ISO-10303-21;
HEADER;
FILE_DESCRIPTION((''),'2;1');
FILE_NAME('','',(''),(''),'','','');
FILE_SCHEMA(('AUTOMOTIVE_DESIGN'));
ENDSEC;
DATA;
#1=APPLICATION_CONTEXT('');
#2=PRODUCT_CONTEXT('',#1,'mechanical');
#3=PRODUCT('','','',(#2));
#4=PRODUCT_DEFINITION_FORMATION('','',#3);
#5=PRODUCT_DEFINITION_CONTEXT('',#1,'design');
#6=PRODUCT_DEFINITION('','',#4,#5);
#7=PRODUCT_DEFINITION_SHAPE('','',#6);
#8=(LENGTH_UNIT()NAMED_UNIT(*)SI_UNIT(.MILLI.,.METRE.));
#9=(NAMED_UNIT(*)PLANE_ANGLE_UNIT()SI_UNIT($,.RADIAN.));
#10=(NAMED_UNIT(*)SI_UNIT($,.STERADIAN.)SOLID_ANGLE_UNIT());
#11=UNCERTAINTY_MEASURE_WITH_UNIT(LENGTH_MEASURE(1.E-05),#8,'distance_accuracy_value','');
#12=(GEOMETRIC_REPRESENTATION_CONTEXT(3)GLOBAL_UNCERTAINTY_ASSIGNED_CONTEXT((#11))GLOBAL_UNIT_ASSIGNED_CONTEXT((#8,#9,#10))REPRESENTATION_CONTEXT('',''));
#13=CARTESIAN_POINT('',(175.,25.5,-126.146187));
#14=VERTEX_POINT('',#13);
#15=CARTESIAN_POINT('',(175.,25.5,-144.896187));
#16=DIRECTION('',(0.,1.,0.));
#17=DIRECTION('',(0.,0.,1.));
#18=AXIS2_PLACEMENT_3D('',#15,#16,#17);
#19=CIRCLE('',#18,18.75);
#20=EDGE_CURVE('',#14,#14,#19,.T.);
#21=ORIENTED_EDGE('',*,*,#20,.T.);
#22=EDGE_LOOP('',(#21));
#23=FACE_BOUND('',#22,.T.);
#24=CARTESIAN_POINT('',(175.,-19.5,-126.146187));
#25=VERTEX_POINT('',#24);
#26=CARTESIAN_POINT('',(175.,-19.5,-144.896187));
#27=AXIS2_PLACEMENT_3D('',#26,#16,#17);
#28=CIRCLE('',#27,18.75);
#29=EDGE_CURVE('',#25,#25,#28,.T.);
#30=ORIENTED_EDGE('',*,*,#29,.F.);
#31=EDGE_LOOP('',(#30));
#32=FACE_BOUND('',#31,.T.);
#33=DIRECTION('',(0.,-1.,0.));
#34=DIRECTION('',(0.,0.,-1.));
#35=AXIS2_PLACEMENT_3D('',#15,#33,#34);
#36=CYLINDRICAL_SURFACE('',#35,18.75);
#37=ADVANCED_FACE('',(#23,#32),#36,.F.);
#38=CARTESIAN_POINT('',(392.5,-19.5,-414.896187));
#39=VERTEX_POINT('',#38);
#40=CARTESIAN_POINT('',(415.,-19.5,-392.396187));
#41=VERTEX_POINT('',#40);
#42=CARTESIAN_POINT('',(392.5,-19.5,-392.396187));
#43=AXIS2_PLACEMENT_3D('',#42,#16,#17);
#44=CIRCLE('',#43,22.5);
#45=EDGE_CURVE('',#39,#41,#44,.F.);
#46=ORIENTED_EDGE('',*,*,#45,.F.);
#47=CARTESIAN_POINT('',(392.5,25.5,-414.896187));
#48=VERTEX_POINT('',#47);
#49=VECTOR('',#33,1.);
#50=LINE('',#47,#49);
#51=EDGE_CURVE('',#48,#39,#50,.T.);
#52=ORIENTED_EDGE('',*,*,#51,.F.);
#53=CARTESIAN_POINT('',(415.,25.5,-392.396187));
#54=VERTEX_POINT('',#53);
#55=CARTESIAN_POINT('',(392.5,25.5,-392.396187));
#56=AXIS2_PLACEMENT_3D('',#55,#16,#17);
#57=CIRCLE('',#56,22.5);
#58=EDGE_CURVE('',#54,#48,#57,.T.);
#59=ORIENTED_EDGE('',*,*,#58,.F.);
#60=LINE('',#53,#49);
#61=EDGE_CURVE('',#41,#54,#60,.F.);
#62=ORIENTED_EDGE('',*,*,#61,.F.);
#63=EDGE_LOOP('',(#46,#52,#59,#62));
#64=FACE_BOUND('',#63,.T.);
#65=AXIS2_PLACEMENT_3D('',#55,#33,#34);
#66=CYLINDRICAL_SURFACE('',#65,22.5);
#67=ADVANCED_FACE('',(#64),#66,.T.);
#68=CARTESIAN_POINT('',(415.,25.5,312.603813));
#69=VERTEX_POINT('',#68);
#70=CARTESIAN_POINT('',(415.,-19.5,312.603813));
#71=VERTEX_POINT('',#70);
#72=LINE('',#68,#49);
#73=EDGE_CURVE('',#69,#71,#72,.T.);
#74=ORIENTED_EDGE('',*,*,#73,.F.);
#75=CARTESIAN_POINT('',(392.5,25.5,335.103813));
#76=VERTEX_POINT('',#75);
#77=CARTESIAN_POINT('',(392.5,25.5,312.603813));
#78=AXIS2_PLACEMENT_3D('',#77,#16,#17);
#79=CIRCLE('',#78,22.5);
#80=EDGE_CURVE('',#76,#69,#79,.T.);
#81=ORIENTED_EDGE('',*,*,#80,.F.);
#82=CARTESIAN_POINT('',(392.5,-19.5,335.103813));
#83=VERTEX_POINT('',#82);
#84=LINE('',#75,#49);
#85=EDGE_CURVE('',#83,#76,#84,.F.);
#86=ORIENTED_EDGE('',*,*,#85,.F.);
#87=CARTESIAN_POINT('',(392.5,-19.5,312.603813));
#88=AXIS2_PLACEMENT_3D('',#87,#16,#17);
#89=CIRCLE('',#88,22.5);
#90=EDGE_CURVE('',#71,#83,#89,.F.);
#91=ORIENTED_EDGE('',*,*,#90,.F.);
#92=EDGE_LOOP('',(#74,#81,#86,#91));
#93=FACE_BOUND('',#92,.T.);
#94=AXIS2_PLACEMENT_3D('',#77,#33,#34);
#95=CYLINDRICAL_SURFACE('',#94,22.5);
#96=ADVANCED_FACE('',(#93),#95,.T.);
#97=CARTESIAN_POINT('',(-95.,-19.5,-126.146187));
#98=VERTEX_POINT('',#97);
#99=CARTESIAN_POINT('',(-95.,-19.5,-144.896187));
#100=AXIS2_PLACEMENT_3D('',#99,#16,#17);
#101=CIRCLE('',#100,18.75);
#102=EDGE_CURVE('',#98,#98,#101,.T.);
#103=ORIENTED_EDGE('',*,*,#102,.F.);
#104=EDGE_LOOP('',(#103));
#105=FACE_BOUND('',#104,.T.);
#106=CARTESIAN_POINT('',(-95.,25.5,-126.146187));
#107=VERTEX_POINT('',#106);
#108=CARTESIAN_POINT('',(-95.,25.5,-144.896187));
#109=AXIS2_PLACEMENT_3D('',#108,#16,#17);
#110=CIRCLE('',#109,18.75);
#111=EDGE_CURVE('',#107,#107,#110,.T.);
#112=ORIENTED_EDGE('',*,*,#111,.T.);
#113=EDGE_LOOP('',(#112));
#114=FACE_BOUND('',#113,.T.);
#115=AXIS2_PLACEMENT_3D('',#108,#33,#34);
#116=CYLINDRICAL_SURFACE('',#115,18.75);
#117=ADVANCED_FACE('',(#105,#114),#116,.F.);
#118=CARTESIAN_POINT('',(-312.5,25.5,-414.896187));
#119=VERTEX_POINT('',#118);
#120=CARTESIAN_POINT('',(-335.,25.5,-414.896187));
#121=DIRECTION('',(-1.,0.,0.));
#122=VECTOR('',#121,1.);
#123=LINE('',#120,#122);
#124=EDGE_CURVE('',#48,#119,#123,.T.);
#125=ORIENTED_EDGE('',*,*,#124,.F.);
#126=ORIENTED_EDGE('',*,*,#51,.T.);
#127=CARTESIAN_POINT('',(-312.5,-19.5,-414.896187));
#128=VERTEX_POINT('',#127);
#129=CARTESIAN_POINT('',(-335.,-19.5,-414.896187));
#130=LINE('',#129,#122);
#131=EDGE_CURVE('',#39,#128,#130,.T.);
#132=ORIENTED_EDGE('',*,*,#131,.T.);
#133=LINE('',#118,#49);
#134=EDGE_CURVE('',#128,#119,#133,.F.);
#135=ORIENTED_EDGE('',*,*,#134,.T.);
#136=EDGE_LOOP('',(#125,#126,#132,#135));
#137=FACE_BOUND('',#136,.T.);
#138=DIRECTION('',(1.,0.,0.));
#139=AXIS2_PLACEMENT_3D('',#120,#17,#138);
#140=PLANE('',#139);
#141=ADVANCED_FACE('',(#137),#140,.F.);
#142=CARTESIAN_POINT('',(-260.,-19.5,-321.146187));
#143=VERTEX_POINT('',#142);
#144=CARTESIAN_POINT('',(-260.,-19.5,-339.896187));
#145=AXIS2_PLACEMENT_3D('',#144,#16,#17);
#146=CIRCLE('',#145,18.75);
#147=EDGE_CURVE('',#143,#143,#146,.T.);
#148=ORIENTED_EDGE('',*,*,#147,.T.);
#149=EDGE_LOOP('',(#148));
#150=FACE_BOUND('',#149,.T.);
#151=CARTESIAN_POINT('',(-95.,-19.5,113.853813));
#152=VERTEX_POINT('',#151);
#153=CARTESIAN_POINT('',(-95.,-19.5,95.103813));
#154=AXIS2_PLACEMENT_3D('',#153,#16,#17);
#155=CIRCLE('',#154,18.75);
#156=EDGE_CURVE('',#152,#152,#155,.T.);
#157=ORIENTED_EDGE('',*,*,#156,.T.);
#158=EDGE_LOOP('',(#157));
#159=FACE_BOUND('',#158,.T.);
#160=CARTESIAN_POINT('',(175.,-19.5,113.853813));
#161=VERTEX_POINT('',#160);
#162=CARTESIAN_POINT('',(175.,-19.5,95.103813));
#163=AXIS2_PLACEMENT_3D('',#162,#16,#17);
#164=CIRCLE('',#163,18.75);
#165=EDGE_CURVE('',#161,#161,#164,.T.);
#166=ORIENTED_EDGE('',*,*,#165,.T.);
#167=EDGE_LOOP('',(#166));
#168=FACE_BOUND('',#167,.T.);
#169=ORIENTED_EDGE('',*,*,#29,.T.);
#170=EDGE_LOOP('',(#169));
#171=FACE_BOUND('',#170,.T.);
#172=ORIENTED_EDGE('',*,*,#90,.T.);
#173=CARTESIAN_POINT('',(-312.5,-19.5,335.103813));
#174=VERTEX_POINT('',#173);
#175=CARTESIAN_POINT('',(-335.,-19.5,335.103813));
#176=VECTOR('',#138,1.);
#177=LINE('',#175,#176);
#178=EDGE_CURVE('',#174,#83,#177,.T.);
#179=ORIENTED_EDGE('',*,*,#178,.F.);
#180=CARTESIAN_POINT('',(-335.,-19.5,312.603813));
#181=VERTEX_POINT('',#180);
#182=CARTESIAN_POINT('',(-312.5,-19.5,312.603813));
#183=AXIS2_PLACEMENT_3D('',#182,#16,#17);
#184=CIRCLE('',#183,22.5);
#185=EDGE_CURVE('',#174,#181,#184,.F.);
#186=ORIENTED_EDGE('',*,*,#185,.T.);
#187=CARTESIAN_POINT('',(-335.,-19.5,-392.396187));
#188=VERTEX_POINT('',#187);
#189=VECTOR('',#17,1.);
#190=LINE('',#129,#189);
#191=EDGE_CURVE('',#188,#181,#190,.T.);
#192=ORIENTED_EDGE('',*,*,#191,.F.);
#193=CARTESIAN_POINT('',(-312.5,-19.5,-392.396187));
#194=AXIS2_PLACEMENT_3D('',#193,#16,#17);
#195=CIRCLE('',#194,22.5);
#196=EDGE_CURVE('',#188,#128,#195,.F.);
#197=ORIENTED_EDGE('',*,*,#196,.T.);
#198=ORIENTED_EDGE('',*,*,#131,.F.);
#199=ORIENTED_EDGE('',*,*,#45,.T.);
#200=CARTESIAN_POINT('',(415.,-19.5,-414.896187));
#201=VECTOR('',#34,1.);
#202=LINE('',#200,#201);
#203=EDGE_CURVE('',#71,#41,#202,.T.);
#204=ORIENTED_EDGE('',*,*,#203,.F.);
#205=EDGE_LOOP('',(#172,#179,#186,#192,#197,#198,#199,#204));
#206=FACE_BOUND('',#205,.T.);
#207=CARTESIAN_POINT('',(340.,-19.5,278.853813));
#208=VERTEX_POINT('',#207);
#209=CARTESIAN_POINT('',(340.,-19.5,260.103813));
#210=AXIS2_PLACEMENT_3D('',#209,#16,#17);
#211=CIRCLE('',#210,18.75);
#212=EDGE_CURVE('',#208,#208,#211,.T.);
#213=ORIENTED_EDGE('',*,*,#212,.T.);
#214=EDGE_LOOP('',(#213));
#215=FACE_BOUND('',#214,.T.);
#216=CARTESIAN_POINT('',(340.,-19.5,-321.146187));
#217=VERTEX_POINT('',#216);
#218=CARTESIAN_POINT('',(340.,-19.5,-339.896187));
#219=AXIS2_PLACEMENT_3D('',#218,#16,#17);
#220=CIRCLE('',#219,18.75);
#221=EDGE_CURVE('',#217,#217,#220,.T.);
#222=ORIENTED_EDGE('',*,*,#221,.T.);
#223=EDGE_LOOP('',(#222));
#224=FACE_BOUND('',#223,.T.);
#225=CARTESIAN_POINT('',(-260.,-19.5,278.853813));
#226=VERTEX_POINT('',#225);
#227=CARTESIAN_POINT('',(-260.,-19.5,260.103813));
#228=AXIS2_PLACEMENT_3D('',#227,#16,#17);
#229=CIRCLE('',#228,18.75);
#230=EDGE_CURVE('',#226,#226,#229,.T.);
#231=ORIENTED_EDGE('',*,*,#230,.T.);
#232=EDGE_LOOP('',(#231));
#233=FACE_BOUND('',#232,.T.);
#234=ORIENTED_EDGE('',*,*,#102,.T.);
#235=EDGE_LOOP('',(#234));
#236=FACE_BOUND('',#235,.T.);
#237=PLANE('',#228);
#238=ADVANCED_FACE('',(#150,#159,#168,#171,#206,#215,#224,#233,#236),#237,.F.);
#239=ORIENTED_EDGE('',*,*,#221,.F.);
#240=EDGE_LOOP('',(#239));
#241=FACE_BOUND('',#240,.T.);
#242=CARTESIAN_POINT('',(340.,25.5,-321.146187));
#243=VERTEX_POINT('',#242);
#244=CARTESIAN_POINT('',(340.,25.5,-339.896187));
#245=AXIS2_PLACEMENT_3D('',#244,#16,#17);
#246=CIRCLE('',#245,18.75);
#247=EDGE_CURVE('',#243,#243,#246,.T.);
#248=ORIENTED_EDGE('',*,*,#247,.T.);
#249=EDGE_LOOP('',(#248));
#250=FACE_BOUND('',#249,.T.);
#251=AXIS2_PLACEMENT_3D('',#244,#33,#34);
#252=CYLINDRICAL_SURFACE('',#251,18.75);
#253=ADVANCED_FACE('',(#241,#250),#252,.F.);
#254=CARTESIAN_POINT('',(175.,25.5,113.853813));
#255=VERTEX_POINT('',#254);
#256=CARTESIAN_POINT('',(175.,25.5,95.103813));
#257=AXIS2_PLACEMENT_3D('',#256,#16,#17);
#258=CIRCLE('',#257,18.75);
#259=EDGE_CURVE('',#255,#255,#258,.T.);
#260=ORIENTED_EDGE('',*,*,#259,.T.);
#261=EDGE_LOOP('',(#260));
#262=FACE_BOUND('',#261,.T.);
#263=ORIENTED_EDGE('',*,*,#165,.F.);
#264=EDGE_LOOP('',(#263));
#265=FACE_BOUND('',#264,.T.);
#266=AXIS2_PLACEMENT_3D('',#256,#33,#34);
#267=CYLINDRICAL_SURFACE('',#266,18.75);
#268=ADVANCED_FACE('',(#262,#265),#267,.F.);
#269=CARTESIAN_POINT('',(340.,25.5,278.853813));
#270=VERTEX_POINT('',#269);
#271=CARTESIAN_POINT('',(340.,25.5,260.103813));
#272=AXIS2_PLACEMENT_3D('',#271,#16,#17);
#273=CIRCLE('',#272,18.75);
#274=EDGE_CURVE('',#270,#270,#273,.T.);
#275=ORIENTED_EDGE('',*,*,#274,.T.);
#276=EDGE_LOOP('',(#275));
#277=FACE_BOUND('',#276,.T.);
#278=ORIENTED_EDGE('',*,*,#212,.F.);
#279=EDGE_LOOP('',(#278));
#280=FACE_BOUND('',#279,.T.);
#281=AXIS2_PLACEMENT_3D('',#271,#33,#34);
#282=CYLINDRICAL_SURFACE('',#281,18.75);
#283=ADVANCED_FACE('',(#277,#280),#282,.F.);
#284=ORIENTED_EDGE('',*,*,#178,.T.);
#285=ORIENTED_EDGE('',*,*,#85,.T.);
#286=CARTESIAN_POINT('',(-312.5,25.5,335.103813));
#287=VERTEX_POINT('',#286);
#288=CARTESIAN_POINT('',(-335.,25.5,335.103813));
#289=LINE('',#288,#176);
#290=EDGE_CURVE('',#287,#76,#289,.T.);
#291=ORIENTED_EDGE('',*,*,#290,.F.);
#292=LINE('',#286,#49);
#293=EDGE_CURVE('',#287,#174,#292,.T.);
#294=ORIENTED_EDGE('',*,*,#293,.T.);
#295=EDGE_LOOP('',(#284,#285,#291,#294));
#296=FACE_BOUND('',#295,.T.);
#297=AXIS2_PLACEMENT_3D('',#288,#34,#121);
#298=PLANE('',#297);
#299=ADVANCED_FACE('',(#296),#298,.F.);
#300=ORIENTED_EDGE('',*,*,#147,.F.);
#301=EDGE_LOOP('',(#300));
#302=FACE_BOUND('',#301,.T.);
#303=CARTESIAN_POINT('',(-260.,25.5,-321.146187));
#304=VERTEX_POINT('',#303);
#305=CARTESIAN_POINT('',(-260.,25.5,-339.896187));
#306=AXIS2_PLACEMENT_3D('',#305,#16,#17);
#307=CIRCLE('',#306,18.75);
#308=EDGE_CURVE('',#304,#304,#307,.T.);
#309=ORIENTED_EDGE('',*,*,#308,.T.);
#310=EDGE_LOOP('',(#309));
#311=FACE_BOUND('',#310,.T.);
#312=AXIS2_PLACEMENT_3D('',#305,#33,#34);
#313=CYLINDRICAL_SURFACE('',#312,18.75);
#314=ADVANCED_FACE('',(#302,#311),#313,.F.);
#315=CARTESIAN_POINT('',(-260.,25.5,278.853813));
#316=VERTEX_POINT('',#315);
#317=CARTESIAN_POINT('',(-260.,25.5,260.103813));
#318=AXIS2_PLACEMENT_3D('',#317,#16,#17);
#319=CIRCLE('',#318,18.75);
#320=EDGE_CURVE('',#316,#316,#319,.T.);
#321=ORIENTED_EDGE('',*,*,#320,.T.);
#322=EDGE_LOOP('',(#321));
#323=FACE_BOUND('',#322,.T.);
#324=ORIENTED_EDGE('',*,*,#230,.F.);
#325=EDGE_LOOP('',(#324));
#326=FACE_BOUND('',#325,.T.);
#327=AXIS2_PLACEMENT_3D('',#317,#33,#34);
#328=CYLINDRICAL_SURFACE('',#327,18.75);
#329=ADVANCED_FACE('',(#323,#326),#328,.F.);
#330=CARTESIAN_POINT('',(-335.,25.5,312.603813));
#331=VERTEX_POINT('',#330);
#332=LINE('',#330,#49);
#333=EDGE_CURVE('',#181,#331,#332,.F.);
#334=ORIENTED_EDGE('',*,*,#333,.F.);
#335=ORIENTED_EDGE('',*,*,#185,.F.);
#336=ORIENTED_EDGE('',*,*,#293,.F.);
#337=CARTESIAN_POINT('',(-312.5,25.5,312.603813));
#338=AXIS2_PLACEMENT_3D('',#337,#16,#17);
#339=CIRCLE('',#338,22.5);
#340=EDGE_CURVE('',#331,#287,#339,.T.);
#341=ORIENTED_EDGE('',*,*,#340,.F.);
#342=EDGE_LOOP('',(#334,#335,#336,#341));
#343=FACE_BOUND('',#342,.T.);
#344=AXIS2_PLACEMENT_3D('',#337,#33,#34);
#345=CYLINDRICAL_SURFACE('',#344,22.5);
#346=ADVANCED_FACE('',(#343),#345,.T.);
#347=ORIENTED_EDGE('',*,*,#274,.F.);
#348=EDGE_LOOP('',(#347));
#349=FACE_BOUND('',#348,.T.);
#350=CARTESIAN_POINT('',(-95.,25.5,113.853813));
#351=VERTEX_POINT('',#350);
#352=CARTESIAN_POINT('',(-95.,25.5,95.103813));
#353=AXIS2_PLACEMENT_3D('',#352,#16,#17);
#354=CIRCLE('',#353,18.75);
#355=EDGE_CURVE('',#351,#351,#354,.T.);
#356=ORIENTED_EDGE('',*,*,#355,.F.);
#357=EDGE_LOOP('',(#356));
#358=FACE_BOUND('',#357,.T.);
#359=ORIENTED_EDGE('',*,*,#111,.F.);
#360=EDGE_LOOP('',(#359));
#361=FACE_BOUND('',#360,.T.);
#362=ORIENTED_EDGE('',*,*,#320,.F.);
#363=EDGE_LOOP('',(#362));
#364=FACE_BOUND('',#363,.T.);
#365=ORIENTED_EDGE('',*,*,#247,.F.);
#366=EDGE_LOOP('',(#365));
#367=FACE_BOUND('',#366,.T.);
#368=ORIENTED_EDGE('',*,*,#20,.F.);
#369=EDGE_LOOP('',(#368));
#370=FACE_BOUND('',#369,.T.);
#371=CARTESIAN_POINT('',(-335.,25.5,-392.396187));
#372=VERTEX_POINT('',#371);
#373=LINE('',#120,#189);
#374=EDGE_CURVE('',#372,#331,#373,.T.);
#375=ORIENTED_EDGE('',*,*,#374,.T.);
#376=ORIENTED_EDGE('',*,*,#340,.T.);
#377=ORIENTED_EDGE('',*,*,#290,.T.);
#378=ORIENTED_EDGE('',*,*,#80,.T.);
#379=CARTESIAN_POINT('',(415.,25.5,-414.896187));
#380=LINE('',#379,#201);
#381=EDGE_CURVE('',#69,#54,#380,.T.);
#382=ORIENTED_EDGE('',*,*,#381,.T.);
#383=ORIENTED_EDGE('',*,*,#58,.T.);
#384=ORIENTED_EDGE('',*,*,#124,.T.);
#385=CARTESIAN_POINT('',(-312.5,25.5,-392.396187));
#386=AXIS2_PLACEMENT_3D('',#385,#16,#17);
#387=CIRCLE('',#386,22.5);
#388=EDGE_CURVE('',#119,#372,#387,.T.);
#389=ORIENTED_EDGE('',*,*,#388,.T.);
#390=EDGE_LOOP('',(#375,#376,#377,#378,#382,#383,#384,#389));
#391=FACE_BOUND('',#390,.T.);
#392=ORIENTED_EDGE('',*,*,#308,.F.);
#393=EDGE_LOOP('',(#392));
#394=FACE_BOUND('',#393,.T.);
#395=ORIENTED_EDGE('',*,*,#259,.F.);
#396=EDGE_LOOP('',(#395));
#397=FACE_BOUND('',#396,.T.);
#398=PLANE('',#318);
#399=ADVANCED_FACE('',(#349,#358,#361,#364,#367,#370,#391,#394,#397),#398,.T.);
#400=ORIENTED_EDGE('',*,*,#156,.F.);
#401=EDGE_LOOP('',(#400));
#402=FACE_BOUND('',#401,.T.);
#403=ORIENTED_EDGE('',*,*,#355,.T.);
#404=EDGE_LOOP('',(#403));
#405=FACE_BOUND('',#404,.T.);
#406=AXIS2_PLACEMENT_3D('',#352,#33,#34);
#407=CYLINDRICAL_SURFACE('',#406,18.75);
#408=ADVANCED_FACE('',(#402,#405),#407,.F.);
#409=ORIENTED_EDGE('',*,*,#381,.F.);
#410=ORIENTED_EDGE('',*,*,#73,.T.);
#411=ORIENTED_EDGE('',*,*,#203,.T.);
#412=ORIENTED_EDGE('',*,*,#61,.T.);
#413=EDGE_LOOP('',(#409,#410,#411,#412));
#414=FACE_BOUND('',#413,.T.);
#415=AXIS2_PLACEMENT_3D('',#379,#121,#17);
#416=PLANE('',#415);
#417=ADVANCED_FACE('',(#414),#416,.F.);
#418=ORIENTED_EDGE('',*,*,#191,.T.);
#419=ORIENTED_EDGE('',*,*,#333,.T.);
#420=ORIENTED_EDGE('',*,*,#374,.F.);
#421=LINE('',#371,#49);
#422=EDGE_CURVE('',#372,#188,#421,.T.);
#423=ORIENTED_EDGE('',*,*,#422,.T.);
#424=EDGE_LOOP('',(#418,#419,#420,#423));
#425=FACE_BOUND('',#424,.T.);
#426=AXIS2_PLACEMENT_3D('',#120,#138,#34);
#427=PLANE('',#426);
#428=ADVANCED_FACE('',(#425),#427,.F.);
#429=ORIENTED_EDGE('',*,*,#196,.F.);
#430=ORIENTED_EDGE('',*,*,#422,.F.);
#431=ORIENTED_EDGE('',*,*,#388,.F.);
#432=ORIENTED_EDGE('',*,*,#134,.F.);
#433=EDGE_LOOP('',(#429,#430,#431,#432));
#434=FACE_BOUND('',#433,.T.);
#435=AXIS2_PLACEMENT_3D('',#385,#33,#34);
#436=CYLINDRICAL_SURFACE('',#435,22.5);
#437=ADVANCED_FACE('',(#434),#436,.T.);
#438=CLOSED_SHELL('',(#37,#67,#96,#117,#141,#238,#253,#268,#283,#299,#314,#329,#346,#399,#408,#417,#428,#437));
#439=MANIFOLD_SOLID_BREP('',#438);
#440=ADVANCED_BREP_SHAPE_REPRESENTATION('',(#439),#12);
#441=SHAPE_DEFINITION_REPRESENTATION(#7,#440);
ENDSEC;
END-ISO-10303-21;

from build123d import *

# Parameters (mm, degrees)
SKETCH1_W           = 100
SKETCH1_H           = 100
SKETCH1_R           = 2.5
BOSS_EXTRUDE1_DEPTH = 6
FILLET1_R           = 3
FILLET2_R           = 3
SCALE1_SCALE        = 7.5


with BuildPart() as part:
    # Sketch1 → Boss-Extrude1 (new body)
    with BuildSketch(Plane(origin=(0, 0, 0), x_dir=(1, 0, 0), z_dir=(0, 1, 0))):
        with Locations((40, 40)):
            Rectangle(SKETCH1_W, SKETCH1_H)
        Circle(SKETCH1_R, mode=Mode.SUBTRACT)
        with Locations((80, 0)):
            Circle(SKETCH1_R, mode=Mode.SUBTRACT)
        with Locations((0, 80)):
            Circle(SKETCH1_R, mode=Mode.SUBTRACT)
        with Locations((80, 80)):
            Circle(SKETCH1_R, mode=Mode.SUBTRACT)
        with Locations((22, 22)):
            Circle(SKETCH1_R, mode=Mode.SUBTRACT)
        with Locations((58, 22)):
            Circle(SKETCH1_R, mode=Mode.SUBTRACT)
        with Locations((22, 54)):
            Circle(SKETCH1_R, mode=Mode.SUBTRACT)
        with Locations((58, 54)):
            Circle(SKETCH1_R, mode=Mode.SUBTRACT)
    extrude(amount=BOSS_EXTRUDE1_DEPTH)

    # Fillet1
    fillet1_edges = [part.edges().sort_by_distance(p)[0] for p in [
        (90, 3, 10),
        (-10, 3, 10),
    ]]
    fillet(fillet1_edges, radius=FILLET1_R)

    # Fillet2
    fillet2_edges = [part.edges().sort_by_distance(p)[0] for p in [
        (-10, 3, -90),
        (90, 3, -90),
    ]]
    fillet(fillet2_edges, radius=FILLET2_R)


with BuildPart() as part_1:
    # Scale1: scaled about (40, 3, -40.015971177)
    add(part.part.scale(SCALE1_SCALE).moved(Location((-260, -19.5, 260.103812651))))


solid = part_1.part
